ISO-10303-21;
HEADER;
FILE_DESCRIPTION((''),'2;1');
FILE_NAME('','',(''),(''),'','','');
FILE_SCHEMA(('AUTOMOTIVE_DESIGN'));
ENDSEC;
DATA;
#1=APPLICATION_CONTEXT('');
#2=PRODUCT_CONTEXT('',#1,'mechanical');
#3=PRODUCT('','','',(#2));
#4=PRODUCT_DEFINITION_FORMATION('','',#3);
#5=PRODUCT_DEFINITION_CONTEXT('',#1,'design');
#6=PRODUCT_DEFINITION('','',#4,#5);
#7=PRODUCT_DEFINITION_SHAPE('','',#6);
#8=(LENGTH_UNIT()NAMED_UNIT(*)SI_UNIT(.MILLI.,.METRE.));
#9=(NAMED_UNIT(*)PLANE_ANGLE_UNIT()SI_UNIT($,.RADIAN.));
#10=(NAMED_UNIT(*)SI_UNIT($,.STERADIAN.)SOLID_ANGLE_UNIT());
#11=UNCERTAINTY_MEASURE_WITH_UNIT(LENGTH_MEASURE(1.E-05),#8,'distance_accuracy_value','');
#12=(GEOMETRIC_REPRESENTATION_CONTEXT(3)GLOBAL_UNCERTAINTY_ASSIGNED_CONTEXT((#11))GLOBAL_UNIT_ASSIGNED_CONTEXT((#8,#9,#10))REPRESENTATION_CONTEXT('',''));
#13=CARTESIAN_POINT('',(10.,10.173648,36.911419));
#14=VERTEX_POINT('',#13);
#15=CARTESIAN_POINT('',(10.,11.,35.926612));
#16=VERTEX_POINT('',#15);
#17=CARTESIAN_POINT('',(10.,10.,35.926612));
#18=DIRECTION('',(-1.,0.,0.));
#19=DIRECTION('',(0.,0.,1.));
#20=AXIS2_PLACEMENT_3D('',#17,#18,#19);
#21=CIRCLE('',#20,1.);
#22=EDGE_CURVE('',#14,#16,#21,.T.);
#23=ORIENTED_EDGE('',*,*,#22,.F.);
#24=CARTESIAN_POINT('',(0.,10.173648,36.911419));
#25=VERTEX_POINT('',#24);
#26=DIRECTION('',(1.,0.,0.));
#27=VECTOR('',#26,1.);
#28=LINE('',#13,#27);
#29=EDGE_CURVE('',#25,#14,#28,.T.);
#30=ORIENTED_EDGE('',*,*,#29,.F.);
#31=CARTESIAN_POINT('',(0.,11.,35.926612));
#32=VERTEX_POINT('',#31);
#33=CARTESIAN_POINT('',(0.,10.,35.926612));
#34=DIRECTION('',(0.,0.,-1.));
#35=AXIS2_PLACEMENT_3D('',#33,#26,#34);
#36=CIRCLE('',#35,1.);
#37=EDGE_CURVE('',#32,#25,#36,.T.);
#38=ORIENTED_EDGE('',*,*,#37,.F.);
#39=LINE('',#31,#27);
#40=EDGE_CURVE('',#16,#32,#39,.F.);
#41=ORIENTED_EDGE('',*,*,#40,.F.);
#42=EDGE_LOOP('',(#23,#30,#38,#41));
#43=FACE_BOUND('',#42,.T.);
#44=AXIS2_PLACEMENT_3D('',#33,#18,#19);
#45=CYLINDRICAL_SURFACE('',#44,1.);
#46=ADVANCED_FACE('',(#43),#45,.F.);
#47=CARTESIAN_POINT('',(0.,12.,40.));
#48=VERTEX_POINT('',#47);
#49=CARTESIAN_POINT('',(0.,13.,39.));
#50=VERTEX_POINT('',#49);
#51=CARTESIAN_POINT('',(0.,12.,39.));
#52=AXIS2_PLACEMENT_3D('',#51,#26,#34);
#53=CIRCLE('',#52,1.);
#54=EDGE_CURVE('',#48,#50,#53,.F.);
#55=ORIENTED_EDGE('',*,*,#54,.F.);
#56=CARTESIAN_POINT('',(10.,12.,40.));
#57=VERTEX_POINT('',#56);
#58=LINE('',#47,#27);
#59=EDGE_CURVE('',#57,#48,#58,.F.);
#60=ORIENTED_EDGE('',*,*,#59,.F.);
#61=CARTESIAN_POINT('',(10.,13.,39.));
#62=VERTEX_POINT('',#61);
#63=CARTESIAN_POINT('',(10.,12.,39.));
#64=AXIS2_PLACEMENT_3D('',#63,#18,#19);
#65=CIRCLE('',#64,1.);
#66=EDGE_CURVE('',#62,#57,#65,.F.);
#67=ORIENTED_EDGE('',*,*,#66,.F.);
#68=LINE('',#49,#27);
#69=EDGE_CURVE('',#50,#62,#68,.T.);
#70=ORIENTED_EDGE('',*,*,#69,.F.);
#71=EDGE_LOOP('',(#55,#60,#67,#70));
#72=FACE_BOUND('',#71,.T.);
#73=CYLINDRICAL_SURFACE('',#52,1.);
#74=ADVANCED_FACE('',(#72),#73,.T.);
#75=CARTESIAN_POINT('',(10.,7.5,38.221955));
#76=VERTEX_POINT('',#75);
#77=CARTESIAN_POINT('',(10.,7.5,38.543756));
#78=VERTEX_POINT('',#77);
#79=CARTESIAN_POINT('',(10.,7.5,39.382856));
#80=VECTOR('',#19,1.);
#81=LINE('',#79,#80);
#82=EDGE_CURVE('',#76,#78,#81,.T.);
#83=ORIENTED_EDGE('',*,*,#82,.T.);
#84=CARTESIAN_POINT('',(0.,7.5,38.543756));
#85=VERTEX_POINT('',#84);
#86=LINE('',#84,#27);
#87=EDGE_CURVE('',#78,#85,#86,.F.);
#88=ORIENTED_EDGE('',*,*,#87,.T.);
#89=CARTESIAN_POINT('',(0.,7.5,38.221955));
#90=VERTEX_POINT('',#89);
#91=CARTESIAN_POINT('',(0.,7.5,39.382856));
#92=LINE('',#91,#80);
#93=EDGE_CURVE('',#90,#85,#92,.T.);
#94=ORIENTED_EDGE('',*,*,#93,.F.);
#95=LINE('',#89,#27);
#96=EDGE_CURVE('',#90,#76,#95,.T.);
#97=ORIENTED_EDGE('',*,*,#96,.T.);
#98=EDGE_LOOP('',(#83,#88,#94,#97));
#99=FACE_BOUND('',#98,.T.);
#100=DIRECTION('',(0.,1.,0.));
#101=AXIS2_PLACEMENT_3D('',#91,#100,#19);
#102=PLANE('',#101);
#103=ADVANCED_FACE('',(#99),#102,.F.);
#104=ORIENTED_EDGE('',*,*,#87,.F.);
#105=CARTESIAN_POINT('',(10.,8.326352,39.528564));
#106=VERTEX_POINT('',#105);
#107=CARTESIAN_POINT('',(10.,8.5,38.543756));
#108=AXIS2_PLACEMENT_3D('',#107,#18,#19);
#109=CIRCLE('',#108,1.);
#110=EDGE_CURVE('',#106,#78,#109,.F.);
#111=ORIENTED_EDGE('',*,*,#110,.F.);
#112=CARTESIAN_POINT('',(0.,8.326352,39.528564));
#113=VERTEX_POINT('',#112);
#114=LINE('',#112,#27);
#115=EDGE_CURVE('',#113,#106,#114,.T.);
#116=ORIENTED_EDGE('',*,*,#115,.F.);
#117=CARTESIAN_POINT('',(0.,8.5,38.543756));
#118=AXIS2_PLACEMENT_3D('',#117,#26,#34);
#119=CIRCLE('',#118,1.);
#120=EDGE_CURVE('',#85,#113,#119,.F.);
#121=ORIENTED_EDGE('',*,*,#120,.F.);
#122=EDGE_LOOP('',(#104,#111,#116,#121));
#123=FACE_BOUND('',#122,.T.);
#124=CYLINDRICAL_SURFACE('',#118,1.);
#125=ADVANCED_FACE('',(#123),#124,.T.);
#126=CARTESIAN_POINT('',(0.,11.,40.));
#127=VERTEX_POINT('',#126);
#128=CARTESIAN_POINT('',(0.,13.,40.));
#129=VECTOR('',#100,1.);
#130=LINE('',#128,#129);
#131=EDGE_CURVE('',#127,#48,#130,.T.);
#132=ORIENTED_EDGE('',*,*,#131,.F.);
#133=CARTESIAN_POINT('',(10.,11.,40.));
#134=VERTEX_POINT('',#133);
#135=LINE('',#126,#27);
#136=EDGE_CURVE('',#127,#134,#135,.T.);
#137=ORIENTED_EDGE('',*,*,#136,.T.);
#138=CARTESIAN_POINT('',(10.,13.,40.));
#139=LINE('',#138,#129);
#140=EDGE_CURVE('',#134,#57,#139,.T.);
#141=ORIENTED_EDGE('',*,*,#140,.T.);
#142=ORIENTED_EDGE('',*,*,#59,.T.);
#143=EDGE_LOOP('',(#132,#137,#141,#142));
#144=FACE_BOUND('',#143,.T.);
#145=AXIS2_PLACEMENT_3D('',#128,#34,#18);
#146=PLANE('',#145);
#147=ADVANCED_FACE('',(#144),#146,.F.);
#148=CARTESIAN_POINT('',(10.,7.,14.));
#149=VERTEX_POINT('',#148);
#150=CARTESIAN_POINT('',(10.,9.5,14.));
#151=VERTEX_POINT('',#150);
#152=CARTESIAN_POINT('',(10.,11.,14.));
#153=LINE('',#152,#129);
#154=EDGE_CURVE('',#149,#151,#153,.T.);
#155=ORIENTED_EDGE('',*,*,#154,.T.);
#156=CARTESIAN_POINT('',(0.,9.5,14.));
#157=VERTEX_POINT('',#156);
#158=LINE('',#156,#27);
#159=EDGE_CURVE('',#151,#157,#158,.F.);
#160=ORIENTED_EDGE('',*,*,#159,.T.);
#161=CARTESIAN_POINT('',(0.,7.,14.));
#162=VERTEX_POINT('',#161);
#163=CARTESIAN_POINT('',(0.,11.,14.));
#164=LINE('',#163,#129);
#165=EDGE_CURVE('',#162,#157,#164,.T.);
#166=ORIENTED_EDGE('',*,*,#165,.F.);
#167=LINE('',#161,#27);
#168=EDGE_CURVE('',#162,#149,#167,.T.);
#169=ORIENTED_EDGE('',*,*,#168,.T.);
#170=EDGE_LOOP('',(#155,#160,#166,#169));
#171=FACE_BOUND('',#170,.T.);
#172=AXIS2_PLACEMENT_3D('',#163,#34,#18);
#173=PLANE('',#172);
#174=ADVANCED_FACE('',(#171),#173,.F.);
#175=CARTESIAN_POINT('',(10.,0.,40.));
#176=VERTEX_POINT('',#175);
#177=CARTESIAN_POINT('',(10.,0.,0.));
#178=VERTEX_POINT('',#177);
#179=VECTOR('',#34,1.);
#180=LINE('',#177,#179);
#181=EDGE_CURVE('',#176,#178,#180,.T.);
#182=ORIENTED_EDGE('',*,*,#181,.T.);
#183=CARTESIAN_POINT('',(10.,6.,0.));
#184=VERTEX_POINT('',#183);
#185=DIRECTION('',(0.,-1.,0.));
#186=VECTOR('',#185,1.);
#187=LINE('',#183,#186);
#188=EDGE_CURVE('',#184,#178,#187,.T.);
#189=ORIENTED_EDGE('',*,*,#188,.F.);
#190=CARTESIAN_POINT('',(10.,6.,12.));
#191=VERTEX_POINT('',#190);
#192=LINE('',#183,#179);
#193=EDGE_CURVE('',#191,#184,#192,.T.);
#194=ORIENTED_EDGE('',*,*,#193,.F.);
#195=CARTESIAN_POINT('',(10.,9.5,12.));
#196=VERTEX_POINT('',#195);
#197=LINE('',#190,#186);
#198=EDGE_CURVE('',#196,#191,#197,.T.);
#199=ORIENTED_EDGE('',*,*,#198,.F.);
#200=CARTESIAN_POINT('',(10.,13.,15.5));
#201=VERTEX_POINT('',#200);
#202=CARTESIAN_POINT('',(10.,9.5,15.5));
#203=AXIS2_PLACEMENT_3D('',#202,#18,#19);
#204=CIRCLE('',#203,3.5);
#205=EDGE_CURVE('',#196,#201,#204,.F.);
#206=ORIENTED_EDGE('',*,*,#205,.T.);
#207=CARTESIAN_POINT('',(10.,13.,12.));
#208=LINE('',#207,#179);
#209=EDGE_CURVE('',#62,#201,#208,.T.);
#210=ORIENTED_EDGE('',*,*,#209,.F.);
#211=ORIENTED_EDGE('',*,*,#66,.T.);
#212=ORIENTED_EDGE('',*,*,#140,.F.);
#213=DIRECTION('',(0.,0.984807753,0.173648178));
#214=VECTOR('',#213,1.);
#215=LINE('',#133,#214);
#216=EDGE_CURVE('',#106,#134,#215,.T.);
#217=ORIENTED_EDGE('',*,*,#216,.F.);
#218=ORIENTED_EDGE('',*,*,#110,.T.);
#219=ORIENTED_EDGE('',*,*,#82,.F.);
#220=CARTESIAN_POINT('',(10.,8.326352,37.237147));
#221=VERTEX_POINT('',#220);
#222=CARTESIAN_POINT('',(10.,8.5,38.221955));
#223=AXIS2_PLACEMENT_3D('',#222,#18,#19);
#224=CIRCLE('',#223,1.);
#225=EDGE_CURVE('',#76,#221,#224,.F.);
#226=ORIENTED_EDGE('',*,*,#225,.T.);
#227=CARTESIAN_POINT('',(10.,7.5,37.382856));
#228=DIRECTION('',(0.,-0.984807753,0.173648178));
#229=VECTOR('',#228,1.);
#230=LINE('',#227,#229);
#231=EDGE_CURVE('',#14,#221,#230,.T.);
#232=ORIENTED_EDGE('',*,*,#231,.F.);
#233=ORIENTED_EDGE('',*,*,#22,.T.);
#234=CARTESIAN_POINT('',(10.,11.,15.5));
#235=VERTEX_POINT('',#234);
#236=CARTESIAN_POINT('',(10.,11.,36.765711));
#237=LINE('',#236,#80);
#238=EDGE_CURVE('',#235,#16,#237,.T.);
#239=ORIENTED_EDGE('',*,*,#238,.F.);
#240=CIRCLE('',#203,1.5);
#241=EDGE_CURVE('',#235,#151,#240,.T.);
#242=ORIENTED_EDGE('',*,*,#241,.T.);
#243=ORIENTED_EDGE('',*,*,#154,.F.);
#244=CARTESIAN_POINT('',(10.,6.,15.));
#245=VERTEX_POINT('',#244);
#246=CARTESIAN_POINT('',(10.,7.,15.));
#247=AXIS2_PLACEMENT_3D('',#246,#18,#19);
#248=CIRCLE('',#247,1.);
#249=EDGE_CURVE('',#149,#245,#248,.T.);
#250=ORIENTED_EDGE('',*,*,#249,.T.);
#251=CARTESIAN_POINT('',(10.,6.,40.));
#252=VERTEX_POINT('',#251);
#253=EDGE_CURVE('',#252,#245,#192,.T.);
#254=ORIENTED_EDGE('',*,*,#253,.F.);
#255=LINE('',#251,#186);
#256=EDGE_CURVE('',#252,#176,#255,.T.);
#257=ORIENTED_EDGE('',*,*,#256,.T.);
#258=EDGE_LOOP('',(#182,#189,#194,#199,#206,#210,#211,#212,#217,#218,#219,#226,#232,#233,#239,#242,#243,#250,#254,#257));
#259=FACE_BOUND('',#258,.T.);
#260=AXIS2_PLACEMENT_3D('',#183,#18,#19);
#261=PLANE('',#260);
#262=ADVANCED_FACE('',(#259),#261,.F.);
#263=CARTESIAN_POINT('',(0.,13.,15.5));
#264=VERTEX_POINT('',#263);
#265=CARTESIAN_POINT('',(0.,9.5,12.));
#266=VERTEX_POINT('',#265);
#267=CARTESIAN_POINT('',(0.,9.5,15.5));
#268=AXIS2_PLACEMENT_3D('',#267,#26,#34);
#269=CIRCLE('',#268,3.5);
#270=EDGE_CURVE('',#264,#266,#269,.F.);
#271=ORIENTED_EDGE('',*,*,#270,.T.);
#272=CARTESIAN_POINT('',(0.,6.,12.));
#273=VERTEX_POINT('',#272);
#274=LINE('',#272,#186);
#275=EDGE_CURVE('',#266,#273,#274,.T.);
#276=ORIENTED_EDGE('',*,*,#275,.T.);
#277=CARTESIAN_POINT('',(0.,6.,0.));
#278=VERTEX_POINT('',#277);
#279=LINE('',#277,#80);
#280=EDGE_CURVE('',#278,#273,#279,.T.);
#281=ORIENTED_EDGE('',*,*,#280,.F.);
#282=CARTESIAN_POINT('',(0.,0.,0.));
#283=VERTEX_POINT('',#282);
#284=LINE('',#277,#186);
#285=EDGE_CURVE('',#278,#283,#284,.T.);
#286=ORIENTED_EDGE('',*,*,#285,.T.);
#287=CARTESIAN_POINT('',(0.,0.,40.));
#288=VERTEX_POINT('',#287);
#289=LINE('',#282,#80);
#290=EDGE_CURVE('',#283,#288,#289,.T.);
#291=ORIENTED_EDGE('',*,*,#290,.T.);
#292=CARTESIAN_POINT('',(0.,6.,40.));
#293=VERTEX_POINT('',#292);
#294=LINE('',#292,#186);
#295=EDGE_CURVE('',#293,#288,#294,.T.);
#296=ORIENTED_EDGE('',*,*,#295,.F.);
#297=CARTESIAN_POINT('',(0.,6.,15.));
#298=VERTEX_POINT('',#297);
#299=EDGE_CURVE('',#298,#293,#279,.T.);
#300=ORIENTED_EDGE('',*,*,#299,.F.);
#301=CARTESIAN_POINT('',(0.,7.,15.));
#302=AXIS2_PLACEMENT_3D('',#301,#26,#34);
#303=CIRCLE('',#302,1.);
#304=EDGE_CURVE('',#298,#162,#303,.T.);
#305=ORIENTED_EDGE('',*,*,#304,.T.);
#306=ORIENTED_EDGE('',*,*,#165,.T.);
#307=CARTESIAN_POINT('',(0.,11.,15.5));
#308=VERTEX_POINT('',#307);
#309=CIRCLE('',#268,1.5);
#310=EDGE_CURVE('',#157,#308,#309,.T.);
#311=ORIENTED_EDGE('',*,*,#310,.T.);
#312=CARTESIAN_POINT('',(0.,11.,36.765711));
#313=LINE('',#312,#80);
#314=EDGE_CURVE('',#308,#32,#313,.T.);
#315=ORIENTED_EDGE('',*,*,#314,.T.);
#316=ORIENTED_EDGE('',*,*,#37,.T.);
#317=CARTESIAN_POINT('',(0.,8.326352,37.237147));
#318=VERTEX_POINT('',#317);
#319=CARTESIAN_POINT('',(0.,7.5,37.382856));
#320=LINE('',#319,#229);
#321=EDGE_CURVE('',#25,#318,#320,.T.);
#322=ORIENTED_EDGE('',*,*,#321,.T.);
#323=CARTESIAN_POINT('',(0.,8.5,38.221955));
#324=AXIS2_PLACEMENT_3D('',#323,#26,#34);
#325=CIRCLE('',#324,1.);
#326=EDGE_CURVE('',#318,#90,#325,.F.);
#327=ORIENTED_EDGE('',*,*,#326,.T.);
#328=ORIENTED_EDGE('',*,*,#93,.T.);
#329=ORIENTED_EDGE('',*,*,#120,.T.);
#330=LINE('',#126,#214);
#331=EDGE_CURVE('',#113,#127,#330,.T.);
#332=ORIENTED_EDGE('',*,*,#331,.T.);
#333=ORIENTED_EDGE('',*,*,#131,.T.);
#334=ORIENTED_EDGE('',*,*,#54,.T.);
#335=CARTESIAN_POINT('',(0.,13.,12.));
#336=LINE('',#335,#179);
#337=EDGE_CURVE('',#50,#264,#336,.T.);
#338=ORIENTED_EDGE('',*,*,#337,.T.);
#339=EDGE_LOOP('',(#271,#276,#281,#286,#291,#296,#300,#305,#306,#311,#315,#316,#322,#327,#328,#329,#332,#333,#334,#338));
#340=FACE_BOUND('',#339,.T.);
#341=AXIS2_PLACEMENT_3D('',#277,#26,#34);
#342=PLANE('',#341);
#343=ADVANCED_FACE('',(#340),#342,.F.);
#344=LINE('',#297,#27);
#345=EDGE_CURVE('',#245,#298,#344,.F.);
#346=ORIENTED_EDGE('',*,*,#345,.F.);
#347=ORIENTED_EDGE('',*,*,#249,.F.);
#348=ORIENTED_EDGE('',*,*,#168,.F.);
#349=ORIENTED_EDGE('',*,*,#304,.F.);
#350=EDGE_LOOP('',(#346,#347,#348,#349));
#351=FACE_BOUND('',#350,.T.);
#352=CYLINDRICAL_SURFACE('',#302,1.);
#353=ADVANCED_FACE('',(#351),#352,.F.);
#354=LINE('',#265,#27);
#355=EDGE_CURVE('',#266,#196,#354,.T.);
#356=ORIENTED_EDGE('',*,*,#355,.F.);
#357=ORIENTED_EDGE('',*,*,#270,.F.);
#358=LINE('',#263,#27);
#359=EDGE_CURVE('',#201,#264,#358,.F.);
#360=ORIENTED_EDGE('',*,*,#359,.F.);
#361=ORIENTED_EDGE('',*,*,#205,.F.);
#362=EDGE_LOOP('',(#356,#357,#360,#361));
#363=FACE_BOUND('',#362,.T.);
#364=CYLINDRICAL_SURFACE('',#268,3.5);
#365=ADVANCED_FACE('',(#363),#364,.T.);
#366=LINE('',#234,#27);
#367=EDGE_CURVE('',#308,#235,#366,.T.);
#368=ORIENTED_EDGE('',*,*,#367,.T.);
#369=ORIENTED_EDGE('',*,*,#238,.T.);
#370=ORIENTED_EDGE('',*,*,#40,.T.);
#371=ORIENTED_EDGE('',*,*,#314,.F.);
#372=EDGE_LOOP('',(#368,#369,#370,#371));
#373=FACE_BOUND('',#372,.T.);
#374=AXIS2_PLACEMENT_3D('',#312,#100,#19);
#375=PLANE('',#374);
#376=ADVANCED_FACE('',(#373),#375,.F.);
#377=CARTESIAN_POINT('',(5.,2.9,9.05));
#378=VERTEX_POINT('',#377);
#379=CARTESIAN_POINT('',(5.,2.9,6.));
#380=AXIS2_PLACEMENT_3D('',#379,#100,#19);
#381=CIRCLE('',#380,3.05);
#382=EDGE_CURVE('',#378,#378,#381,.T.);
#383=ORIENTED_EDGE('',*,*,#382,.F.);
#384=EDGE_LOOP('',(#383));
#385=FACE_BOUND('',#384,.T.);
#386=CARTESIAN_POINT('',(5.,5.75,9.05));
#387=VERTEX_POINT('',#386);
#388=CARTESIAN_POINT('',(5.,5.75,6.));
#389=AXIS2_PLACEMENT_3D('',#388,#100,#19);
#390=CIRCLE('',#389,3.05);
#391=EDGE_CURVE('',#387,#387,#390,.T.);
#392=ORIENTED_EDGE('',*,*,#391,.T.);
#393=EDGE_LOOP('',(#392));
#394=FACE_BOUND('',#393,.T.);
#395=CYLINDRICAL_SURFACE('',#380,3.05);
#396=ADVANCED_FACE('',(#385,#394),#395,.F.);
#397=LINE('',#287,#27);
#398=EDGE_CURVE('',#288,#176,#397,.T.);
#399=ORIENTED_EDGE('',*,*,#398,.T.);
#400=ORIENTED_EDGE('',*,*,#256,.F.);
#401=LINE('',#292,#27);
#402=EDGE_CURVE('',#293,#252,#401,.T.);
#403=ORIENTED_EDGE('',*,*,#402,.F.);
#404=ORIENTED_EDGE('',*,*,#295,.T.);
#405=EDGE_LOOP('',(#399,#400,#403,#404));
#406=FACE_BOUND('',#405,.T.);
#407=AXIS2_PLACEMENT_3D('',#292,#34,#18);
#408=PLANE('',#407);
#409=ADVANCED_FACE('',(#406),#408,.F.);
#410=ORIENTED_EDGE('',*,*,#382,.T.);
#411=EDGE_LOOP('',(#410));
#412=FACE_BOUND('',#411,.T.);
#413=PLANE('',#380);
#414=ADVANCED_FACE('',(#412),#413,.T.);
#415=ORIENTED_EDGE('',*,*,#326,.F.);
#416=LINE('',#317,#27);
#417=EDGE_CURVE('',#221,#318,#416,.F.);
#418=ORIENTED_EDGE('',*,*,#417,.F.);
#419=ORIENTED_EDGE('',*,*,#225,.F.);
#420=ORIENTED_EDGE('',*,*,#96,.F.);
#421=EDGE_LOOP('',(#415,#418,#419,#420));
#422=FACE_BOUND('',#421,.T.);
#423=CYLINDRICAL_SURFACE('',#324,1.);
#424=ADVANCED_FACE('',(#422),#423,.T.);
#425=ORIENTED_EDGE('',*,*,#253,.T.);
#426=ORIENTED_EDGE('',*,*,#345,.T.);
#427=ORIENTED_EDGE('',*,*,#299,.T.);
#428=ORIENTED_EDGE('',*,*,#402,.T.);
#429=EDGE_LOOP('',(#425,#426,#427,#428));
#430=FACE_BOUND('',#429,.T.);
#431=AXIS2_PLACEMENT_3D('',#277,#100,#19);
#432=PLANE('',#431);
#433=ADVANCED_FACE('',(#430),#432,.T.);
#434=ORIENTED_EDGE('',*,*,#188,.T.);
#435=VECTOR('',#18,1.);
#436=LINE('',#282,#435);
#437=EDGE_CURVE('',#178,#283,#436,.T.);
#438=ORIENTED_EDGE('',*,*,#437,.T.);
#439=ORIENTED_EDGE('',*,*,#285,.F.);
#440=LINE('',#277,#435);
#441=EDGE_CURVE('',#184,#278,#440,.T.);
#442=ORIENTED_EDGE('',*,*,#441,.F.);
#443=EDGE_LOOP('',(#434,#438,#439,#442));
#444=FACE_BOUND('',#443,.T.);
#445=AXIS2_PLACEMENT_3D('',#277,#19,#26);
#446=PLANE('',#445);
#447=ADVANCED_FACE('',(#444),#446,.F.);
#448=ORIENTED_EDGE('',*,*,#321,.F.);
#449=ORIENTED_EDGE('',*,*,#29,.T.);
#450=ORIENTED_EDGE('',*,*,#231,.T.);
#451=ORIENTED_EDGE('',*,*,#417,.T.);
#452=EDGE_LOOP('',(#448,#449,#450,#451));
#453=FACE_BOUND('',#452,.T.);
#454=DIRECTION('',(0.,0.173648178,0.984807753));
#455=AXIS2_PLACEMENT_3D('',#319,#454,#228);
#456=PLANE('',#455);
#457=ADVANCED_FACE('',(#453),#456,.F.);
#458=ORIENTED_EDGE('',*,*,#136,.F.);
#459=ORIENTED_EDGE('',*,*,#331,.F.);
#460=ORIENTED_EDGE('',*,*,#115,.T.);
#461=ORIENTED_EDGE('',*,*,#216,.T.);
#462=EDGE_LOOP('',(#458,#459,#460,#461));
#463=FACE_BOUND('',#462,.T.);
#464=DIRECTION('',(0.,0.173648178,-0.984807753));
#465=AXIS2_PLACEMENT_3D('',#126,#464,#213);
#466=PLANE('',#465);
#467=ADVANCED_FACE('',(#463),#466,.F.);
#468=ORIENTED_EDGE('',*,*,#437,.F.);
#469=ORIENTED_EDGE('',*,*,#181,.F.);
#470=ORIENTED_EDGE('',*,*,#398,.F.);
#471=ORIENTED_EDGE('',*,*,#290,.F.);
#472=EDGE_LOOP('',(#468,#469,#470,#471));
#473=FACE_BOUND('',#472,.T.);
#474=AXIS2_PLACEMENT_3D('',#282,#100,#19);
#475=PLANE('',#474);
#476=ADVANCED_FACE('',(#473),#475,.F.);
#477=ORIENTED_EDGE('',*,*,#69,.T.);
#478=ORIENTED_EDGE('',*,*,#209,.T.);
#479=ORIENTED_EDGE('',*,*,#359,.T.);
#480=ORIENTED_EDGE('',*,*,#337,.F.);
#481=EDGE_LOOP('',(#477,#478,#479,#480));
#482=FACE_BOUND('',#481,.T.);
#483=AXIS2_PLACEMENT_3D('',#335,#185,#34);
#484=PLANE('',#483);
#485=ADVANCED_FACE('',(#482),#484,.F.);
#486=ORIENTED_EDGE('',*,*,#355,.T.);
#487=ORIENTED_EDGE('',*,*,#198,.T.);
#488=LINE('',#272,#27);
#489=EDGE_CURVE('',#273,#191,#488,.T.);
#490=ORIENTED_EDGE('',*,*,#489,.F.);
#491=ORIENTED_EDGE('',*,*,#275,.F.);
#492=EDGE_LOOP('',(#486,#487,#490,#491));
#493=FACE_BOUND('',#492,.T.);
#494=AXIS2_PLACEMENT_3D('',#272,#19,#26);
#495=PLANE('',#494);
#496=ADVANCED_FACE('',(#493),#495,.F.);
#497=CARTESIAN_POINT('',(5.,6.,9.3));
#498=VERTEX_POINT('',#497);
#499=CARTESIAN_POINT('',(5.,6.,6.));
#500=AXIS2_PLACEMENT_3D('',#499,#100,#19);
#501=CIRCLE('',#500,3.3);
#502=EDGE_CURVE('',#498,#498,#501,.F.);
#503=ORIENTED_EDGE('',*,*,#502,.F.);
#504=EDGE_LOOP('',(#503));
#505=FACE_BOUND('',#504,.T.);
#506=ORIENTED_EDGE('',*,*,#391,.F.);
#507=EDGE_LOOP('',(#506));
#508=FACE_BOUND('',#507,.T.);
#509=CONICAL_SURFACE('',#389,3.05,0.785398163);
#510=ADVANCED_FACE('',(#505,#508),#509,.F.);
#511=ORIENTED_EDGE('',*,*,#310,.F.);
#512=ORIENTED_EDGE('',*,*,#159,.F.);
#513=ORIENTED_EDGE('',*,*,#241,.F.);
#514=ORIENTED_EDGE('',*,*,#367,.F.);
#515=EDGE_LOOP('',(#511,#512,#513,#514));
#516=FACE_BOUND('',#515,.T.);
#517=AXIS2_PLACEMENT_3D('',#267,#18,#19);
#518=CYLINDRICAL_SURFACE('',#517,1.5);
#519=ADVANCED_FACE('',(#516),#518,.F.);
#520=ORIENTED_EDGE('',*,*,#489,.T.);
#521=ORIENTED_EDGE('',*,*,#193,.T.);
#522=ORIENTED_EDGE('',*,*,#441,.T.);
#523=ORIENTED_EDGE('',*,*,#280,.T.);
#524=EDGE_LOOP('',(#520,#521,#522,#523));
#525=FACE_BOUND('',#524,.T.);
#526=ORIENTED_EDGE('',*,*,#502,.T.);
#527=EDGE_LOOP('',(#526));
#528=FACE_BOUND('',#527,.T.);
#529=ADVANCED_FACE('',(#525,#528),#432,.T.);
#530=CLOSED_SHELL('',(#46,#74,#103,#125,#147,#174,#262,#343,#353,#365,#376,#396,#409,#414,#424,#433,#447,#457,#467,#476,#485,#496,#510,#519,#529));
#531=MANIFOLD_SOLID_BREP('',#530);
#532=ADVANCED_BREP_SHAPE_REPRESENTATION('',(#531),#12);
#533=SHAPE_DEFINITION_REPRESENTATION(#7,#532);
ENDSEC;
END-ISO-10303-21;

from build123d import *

# Parameters (mm, degrees)
SKETCH1_W           = 10
SKETCH1_H           = 40
BOSS_EXTRUDE1_DEPTH = 6
SKETCH2_R           = 3.05
CUT_EXTRUDE1_DEPTH  = 3.1
CHAMFER1_SIZE       = 0.25
BOSS_EXTRUDE2_DEPTH = 5
FILLET1_R           = 1.5
FILLET2_R           = 3.5
FILLET3_R           = 1
FILLET4_R           = 1


with BuildPart() as part:
    # Sketch1 → Boss-Extrude1 (new body)
    with BuildSketch(Plane(origin=(0, 0, 0), x_dir=(1, 0, 0), z_dir=(0, 1, 0))):
        with Locations((5, -20)):
            Rectangle(SKETCH1_W, SKETCH1_H)
    extrude(amount=BOSS_EXTRUDE1_DEPTH)

    # Sketch2 → Cut-Extrude1 (cut)
    with BuildSketch(Plane(origin=(0, 6, 0), x_dir=(1, 0, 0), z_dir=(0, 1, 0))):
        with Locations((5, -6)):
            Circle(SKETCH2_R)
    extrude(amount=-CUT_EXTRUDE1_DEPTH, mode=Mode.SUBTRACT)

    # Chamfer1
    chamfer1_edges = [part.edges().sort_by_distance(p)[0] for p in [
        (1.95, 6, 6),
    ]]
    chamfer(chamfer1_edges, length=CHAMFER1_SIZE)

    # Sketch4 → Boss-Extrude2 (add, symmetric)
    with BuildSketch(Plane.ZY.offset(-5)):
        Polygon((12, 6), (12, 13), (40, 13), (40, 11), (39.382855568, 7.5), (37.382855568, 7.5), (36.765711135, 11), (14, 11), (14, 6), align=None)
    extrude(amount=BOSS_EXTRUDE2_DEPTH, both=True)

    # Fillet1
    fillet1_edges = [part.edges().sort_by_distance(p)[0] for p in [
        (5, 11, 14),
    ]]
    fillet(fillet1_edges, radius=FILLET1_R)

    # Fillet2
    fillet2_edges = [part.edges().sort_by_distance(p)[0] for p in [
        (5, 13, 12),
    ]]
    fillet(fillet2_edges, radius=FILLET2_R)

    # Fillet3
    fillet3_edges = [part.edges().sort_by_distance(p)[0] for p in [
        (5, 6, 14),
    ]]
    fillet(fillet3_edges, radius=FILLET3_R)

    # Fillet4
    fillet4_edges = [part.edges().sort_by_distance(p)[0] for p in [
        (5, 11, 36.765711135),
        (5, 7.5, 37.382855568),
        (5, 7.5, 39.382855568),
        (5, 13, 40),
    ]]
    fillet(fillet4_edges, radius=FILLET4_R)


solid = part.part
